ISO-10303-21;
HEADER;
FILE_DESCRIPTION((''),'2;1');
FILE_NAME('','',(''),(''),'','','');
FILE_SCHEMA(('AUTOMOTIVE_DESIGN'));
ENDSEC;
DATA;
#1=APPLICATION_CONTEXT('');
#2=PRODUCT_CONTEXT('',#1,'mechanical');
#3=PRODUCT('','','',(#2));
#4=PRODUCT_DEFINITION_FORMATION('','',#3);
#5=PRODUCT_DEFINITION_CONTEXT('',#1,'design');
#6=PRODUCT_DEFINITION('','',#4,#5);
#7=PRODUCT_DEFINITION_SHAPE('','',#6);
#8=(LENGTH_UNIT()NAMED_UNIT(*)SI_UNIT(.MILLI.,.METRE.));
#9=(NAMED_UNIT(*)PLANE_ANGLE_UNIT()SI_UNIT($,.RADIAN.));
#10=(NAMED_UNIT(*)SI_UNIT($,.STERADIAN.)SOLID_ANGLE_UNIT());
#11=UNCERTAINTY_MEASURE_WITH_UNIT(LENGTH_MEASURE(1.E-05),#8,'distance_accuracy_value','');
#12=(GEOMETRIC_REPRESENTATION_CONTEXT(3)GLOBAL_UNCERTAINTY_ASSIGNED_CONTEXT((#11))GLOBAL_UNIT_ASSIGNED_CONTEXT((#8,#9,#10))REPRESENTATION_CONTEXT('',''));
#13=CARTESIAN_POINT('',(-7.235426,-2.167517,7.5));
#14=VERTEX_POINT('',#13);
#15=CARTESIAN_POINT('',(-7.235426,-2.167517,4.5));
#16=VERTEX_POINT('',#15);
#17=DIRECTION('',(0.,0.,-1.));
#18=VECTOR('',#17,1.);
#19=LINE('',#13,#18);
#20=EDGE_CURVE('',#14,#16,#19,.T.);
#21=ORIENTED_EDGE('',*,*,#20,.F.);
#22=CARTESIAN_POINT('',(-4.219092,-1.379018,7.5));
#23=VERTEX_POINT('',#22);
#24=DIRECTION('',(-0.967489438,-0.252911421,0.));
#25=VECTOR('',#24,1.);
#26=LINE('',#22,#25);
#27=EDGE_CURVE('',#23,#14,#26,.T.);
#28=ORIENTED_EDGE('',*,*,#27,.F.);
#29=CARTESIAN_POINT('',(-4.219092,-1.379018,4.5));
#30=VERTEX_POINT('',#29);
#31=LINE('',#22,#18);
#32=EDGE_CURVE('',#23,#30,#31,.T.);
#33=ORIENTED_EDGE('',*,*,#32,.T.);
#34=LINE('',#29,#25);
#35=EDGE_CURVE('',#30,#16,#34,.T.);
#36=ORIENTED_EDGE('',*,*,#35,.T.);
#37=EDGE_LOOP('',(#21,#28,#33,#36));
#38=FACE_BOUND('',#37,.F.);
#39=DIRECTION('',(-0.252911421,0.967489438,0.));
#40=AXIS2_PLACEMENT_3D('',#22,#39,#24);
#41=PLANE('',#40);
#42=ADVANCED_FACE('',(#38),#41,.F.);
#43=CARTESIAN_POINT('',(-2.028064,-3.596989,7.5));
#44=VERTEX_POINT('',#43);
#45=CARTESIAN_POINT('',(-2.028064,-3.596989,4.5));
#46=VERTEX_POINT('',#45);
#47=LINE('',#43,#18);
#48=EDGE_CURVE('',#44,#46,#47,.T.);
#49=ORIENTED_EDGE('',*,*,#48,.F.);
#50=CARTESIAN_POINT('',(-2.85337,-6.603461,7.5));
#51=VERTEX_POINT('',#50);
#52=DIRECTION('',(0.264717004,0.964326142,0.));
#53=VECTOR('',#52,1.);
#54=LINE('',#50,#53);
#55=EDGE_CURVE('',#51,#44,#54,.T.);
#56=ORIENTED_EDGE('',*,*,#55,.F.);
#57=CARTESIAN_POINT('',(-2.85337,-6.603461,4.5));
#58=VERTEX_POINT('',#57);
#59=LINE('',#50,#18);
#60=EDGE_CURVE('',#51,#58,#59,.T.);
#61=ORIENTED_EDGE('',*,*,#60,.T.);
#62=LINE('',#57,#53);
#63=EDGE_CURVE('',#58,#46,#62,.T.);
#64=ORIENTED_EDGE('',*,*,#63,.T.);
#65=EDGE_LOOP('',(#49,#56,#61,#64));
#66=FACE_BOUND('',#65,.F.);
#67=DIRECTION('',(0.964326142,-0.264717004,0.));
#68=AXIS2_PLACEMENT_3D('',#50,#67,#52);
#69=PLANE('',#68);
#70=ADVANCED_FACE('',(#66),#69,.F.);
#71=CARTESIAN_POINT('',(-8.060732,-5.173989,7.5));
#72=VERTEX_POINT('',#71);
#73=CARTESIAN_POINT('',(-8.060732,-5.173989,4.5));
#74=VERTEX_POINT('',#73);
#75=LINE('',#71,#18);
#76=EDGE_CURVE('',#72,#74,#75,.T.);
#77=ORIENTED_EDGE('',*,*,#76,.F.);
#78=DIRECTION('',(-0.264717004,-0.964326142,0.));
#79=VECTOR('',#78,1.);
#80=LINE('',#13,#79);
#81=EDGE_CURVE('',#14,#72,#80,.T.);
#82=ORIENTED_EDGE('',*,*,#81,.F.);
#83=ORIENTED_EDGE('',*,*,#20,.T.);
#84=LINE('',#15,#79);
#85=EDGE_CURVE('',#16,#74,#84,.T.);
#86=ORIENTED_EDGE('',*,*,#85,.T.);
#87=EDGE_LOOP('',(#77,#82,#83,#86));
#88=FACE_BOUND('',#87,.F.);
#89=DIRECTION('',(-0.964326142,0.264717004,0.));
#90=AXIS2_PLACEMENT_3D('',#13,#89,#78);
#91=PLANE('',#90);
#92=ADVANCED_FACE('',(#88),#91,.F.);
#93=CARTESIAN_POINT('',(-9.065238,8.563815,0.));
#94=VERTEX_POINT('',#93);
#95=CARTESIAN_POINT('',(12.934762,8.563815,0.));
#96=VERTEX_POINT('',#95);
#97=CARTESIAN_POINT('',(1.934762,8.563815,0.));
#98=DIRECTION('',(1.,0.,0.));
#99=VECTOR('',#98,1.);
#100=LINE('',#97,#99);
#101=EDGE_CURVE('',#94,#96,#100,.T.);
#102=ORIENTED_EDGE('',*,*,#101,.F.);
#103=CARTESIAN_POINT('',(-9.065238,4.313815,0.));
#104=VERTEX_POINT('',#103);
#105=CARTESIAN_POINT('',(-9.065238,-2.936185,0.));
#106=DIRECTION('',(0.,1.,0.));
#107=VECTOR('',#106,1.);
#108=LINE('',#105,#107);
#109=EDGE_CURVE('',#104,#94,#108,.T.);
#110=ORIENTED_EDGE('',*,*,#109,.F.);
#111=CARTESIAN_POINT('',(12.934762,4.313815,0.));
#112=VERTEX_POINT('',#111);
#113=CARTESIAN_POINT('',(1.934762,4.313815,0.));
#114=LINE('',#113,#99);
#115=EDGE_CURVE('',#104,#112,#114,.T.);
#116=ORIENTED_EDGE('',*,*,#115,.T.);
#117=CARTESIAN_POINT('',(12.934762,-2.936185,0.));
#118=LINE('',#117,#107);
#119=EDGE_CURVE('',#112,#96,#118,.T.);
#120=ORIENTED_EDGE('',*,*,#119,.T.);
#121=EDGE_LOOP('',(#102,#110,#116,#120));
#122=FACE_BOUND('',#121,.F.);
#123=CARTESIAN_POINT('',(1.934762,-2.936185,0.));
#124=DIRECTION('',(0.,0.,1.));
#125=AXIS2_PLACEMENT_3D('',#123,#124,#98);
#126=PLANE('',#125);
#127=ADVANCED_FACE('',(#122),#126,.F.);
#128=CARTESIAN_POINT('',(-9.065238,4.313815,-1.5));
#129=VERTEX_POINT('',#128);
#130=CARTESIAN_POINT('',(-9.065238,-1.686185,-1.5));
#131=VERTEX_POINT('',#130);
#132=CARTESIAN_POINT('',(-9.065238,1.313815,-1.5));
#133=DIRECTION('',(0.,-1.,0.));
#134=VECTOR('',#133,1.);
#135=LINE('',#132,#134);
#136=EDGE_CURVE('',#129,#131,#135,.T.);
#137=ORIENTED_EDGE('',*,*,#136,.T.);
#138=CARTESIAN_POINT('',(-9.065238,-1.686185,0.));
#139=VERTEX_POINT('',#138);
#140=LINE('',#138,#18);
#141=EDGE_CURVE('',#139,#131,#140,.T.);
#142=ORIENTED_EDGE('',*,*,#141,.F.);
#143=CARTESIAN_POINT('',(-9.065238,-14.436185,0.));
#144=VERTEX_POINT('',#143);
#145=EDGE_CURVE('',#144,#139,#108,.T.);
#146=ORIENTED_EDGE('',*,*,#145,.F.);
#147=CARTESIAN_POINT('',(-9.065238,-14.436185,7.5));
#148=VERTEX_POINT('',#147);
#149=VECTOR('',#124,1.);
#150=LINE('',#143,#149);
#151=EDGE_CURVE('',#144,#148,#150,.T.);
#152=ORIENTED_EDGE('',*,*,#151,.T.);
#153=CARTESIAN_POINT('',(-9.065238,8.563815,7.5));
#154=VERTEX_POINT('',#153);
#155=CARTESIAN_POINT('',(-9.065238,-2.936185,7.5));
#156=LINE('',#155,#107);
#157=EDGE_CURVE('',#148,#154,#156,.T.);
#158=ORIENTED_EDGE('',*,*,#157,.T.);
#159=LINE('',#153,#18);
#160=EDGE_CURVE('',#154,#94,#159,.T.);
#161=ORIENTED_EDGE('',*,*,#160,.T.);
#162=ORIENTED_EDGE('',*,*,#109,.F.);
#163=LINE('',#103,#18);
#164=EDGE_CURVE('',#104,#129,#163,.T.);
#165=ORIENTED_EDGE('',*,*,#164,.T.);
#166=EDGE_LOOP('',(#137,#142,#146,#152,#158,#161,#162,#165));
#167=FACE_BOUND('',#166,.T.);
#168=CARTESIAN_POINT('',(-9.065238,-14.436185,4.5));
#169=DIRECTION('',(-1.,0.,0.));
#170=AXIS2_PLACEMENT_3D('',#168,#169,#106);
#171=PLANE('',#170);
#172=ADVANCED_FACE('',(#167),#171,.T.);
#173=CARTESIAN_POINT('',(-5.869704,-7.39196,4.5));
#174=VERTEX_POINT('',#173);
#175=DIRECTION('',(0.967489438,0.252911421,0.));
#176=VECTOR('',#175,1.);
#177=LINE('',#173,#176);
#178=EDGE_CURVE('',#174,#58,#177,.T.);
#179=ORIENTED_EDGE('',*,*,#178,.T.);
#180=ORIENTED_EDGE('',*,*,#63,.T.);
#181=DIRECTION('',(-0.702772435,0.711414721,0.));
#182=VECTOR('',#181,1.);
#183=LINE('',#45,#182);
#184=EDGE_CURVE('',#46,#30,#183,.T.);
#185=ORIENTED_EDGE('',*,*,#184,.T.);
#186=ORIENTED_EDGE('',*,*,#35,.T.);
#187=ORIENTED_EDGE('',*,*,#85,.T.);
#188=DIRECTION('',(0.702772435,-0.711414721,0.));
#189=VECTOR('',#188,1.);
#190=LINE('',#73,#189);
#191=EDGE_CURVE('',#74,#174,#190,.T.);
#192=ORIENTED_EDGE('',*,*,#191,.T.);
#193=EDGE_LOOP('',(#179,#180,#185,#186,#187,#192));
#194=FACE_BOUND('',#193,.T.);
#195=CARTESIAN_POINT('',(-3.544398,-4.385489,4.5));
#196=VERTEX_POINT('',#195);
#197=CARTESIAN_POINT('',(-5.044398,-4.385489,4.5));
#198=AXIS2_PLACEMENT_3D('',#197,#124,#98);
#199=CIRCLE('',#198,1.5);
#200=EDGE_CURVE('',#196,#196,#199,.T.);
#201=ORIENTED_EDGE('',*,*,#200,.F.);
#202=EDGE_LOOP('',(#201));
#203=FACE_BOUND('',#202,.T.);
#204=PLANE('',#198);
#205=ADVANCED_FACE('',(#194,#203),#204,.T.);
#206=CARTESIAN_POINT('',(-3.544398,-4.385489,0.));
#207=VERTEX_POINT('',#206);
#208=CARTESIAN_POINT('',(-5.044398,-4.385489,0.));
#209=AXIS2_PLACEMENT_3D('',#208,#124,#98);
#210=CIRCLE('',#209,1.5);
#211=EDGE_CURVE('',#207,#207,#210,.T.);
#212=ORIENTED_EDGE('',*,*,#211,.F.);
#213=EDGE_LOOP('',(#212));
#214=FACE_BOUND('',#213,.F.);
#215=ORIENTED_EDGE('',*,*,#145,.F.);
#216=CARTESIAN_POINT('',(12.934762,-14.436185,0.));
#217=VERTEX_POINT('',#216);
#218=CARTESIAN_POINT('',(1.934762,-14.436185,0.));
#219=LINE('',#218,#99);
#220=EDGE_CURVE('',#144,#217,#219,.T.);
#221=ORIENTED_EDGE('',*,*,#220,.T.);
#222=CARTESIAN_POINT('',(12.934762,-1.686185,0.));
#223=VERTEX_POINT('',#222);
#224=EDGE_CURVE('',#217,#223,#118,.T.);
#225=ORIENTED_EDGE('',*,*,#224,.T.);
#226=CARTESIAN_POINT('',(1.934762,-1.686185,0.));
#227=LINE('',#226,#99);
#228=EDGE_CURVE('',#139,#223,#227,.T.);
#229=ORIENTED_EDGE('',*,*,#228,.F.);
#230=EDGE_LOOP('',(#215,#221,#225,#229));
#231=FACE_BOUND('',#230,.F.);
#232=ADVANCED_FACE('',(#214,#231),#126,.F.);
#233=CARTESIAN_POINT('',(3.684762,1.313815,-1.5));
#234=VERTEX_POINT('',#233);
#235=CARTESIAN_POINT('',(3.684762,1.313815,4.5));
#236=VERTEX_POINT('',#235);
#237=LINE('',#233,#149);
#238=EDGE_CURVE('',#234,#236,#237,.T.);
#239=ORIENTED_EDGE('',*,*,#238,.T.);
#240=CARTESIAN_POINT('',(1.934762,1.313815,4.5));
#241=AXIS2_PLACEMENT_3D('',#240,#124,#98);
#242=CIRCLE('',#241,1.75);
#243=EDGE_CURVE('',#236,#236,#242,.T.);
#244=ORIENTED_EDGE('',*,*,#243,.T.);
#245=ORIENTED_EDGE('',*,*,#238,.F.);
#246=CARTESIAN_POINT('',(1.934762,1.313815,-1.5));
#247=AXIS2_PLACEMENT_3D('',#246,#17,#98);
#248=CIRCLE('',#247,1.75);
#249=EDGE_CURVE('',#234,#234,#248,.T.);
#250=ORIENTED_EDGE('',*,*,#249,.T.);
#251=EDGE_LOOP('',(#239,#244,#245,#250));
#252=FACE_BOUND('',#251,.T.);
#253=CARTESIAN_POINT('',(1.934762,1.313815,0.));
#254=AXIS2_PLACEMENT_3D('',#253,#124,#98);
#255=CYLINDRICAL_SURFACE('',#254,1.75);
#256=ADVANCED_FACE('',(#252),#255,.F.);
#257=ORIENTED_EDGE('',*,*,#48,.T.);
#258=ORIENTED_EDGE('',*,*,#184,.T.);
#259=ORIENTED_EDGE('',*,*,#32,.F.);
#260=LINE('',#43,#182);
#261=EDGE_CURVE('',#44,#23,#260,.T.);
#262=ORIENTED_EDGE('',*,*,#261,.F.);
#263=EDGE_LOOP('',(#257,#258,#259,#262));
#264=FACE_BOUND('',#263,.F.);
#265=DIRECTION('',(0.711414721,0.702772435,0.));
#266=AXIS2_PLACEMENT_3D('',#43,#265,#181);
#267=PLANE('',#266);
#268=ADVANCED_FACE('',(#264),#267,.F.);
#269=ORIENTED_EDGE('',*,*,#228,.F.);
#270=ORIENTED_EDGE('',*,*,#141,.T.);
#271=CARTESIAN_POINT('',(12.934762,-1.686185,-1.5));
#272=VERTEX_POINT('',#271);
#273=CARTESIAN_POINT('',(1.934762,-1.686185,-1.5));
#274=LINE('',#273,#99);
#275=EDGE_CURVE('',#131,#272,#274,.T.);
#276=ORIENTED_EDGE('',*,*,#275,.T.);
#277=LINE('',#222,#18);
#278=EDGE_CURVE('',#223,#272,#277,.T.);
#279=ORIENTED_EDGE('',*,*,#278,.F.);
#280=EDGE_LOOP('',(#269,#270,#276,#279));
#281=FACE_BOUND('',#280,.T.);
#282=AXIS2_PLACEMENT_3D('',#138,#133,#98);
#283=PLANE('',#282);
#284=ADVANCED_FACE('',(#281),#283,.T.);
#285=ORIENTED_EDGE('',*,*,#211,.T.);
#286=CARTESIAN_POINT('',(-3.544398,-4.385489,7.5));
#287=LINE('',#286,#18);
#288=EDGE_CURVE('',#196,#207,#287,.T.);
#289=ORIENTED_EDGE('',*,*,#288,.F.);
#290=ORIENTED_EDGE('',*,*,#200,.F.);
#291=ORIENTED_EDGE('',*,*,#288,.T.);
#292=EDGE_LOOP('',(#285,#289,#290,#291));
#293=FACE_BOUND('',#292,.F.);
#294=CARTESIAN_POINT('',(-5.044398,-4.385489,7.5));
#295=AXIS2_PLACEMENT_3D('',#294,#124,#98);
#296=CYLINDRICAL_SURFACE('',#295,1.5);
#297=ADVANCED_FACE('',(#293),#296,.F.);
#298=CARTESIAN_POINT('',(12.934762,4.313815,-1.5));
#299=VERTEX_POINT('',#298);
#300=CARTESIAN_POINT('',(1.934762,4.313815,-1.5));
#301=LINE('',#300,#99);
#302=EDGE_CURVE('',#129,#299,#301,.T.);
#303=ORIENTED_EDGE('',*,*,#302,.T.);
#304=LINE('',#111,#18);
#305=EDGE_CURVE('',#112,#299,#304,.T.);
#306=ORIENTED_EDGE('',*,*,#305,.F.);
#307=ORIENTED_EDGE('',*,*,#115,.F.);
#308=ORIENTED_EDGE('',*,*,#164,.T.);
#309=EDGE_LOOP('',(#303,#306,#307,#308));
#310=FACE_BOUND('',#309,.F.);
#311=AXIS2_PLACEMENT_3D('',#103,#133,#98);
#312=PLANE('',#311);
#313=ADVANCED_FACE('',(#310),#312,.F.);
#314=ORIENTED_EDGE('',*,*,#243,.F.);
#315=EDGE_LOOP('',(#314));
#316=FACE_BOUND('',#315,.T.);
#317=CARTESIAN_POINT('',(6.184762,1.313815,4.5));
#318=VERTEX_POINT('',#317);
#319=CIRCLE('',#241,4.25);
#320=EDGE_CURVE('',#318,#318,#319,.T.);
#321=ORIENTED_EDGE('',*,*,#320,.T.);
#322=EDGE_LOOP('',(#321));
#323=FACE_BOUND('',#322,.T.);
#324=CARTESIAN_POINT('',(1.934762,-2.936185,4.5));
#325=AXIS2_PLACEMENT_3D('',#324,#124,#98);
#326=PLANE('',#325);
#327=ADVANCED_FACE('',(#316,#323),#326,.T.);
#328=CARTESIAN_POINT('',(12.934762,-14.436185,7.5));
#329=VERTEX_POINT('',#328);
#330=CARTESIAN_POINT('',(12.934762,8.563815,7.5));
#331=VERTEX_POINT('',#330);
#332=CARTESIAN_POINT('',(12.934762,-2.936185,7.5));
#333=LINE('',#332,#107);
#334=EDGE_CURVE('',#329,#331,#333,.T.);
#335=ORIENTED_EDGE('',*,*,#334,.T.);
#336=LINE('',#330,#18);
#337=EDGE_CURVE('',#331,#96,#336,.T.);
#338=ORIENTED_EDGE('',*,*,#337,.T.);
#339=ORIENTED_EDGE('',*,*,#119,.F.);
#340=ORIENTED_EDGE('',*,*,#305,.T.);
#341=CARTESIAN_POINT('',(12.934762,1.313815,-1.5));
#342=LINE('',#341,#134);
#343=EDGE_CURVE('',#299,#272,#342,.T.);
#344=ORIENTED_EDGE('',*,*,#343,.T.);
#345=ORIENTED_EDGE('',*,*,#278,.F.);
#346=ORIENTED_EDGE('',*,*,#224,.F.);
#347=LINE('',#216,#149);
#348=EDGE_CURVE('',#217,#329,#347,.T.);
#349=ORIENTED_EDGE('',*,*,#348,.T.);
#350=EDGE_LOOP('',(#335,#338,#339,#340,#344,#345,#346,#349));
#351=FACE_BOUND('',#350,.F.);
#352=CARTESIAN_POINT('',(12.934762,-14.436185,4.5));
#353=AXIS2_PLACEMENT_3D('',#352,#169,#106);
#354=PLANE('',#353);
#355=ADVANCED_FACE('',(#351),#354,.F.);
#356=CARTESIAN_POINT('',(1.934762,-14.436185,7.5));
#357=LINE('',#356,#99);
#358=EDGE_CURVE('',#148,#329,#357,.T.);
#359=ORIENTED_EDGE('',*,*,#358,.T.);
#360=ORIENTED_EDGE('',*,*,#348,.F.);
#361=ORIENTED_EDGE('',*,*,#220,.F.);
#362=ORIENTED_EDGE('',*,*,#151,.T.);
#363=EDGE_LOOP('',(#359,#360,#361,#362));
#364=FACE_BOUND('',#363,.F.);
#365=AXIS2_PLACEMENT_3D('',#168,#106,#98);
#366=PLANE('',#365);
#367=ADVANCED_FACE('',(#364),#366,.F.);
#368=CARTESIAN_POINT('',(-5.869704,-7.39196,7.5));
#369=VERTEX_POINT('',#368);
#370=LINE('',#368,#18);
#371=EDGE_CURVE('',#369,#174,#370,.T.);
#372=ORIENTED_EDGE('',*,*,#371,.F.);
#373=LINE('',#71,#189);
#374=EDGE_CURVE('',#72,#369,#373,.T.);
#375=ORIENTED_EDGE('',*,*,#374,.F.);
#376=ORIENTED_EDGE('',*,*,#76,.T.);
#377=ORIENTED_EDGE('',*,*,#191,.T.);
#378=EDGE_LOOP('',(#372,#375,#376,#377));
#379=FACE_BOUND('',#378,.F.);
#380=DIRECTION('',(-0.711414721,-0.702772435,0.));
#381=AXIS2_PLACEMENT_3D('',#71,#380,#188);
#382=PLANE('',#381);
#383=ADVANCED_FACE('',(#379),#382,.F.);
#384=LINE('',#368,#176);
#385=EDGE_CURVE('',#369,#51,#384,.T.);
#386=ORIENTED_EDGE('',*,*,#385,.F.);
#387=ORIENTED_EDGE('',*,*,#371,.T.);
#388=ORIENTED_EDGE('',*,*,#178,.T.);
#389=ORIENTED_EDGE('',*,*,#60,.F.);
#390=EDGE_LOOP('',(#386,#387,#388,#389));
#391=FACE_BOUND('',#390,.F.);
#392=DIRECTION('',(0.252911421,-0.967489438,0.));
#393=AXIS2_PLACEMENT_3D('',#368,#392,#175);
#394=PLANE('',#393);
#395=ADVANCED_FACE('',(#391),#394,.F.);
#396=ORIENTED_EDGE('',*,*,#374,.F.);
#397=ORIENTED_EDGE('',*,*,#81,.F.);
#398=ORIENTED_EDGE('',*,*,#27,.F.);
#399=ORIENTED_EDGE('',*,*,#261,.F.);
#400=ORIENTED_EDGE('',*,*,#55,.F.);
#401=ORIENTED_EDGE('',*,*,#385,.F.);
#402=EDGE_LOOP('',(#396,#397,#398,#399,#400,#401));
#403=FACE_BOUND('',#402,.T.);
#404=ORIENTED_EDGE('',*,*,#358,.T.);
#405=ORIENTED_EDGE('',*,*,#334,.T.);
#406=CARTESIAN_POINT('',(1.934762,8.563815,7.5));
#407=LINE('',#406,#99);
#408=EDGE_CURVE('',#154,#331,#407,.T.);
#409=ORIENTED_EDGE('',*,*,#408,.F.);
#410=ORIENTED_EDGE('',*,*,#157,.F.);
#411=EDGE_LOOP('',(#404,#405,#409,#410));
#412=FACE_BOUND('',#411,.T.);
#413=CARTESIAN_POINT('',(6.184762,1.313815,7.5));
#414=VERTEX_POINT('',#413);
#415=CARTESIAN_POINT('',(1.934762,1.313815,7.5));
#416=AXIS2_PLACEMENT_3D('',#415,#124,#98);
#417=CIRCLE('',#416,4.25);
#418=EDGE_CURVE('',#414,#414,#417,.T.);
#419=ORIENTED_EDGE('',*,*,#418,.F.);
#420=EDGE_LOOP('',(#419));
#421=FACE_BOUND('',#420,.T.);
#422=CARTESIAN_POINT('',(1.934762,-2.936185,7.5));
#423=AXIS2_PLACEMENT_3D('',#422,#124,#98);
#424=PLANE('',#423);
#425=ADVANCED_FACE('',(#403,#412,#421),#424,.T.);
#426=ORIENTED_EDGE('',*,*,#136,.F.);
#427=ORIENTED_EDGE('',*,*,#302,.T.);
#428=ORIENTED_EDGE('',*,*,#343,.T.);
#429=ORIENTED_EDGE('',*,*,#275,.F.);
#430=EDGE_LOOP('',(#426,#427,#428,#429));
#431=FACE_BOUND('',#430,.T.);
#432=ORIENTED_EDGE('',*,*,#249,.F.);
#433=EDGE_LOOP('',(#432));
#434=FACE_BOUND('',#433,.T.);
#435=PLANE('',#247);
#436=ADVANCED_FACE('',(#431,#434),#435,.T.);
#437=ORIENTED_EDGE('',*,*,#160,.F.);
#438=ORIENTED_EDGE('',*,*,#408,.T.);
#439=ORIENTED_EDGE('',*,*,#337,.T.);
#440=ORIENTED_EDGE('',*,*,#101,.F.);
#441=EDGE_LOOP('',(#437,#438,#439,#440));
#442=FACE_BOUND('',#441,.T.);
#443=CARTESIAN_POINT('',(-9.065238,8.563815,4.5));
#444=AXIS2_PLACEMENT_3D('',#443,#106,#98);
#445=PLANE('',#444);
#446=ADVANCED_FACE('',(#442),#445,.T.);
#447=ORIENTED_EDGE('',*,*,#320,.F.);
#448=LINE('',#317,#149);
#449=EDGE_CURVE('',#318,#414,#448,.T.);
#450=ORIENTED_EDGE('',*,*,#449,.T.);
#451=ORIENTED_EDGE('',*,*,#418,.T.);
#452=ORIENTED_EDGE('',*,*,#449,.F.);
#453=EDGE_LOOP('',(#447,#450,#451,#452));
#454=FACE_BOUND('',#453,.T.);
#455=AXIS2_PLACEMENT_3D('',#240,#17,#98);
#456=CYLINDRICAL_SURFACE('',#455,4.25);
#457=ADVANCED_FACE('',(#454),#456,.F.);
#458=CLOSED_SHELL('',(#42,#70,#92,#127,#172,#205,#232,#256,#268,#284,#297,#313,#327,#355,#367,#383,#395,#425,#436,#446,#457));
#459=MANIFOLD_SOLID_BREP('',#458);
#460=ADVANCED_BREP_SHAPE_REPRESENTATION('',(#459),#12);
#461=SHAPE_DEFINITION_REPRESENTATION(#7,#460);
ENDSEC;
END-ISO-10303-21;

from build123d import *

# Parameters (mm, degrees)
F0_W     = 22
F0_H     = 23
F1_DEPTH = 4.5
F2_R     = 1.75
F3_DEPTH = 4.501
F4_W     = 22
F4_H     = 6
F4_R     = 1.75
F5_DEPTH = 1.5
F2_W     = 22
F2_H     = 23
F2_R_2   = 4.25
F2_R_3   = 1.5
F6_DEPTH = 3
F7_R     = 1.5
F8_DEPTH = 3
F9_DEPTH = 9.001


with BuildPart() as f1:
    # F0 (on Top) → F1 (new body)
    with BuildSketch(Plane.XY):
        with Locations((1.9347620532, -2.93618536)):
            Rectangle(F0_W, F0_H)
    extrude(amount=F1_DEPTH)

    # F2 (on face) → F3 (cut, through all)
    with BuildSketch(Plane.XY.offset(4.5)):
        with Locations((1.9347620532, 1.31381464)):
            Circle(F2_R)
    extrude(amount=-F3_DEPTH, mode=Mode.SUBTRACT)

    # F4 (on face) → F5 (join)
    with BuildSketch(Plane(origin=(0, 0, 0), x_dir=(1, 0, 0), z_dir=(0, 0, -1))):
        with Locations((1.9347620532, -1.31381464)):
            Rectangle(F4_W, F4_H)
        with Locations((1.9347620532, -1.31381464)):
            Circle(F4_R, mode=Mode.SUBTRACT)
    extrude(amount=F5_DEPTH)

    # F2 (on face) → F6 (join)
    with BuildSketch(Plane.XY.offset(4.5)):
        with Locations((1.9347620532, -2.93618536)):
            Rectangle(F2_W, F2_H)
        Polygon((-5.8697039075, -7.3919604017), (-8.0607315208, -5.1739888063), (-7.235425581, -2.1675174351), (-4.2190920279, -1.3790176593), (-2.0280644146, -3.5969892546), (-2.8533703544, -6.6034606258), align=None, mode=Mode.SUBTRACT)
        with Locations((1.9347620532, 1.31381464)):
            Circle(F2_R_2, mode=Mode.SUBTRACT)
        Polygon((-7.235425581, -2.1675174351), (-8.0607315208, -5.1739888063), (-5.8697039075, -7.3919604017), (-2.8533703544, -6.6034606258), (-2.0280644146, -3.5969892546), (-4.2190920279, -1.3790176593), align=None)
        with Locations((-5.0443979677, -4.3854890305)):
            Circle(F2_R_3, mode=Mode.SUBTRACT)
        with Locations((-5.0443979677, -4.3854890305)):
            Circle(F2_R_3)
    extrude(amount=F6_DEPTH)

    # F7 (on face) → F8 (cut)
    with BuildSketch(Plane.XY.offset(7.5)):
        Polygon((-2.0280644146, -3.5969892546), (-4.2190920279, -1.3790176593), (-7.235425581, -2.1675174351), (-8.0607315208, -5.1739888063), (-5.8697039075, -7.3919604017), (-2.8533703544, -6.6034606258), align=None)
        with Locations((-5.0443979677, -4.3854890305)):
            Circle(F7_R, mode=Mode.SUBTRACT)
    extrude(amount=-F8_DEPTH, mode=Mode.SUBTRACT)

    # F9 (cut, through all): a face of the model
    f9_faces = [f1.faces().sort_by_distance(p)[0] for p in [
        (-5.0443979677, -4.3854890305, 7.5),
    ]]
    extrude(f9_faces, amount=-F9_DEPTH, mode=Mode.SUBTRACT)


solid = f1.part
